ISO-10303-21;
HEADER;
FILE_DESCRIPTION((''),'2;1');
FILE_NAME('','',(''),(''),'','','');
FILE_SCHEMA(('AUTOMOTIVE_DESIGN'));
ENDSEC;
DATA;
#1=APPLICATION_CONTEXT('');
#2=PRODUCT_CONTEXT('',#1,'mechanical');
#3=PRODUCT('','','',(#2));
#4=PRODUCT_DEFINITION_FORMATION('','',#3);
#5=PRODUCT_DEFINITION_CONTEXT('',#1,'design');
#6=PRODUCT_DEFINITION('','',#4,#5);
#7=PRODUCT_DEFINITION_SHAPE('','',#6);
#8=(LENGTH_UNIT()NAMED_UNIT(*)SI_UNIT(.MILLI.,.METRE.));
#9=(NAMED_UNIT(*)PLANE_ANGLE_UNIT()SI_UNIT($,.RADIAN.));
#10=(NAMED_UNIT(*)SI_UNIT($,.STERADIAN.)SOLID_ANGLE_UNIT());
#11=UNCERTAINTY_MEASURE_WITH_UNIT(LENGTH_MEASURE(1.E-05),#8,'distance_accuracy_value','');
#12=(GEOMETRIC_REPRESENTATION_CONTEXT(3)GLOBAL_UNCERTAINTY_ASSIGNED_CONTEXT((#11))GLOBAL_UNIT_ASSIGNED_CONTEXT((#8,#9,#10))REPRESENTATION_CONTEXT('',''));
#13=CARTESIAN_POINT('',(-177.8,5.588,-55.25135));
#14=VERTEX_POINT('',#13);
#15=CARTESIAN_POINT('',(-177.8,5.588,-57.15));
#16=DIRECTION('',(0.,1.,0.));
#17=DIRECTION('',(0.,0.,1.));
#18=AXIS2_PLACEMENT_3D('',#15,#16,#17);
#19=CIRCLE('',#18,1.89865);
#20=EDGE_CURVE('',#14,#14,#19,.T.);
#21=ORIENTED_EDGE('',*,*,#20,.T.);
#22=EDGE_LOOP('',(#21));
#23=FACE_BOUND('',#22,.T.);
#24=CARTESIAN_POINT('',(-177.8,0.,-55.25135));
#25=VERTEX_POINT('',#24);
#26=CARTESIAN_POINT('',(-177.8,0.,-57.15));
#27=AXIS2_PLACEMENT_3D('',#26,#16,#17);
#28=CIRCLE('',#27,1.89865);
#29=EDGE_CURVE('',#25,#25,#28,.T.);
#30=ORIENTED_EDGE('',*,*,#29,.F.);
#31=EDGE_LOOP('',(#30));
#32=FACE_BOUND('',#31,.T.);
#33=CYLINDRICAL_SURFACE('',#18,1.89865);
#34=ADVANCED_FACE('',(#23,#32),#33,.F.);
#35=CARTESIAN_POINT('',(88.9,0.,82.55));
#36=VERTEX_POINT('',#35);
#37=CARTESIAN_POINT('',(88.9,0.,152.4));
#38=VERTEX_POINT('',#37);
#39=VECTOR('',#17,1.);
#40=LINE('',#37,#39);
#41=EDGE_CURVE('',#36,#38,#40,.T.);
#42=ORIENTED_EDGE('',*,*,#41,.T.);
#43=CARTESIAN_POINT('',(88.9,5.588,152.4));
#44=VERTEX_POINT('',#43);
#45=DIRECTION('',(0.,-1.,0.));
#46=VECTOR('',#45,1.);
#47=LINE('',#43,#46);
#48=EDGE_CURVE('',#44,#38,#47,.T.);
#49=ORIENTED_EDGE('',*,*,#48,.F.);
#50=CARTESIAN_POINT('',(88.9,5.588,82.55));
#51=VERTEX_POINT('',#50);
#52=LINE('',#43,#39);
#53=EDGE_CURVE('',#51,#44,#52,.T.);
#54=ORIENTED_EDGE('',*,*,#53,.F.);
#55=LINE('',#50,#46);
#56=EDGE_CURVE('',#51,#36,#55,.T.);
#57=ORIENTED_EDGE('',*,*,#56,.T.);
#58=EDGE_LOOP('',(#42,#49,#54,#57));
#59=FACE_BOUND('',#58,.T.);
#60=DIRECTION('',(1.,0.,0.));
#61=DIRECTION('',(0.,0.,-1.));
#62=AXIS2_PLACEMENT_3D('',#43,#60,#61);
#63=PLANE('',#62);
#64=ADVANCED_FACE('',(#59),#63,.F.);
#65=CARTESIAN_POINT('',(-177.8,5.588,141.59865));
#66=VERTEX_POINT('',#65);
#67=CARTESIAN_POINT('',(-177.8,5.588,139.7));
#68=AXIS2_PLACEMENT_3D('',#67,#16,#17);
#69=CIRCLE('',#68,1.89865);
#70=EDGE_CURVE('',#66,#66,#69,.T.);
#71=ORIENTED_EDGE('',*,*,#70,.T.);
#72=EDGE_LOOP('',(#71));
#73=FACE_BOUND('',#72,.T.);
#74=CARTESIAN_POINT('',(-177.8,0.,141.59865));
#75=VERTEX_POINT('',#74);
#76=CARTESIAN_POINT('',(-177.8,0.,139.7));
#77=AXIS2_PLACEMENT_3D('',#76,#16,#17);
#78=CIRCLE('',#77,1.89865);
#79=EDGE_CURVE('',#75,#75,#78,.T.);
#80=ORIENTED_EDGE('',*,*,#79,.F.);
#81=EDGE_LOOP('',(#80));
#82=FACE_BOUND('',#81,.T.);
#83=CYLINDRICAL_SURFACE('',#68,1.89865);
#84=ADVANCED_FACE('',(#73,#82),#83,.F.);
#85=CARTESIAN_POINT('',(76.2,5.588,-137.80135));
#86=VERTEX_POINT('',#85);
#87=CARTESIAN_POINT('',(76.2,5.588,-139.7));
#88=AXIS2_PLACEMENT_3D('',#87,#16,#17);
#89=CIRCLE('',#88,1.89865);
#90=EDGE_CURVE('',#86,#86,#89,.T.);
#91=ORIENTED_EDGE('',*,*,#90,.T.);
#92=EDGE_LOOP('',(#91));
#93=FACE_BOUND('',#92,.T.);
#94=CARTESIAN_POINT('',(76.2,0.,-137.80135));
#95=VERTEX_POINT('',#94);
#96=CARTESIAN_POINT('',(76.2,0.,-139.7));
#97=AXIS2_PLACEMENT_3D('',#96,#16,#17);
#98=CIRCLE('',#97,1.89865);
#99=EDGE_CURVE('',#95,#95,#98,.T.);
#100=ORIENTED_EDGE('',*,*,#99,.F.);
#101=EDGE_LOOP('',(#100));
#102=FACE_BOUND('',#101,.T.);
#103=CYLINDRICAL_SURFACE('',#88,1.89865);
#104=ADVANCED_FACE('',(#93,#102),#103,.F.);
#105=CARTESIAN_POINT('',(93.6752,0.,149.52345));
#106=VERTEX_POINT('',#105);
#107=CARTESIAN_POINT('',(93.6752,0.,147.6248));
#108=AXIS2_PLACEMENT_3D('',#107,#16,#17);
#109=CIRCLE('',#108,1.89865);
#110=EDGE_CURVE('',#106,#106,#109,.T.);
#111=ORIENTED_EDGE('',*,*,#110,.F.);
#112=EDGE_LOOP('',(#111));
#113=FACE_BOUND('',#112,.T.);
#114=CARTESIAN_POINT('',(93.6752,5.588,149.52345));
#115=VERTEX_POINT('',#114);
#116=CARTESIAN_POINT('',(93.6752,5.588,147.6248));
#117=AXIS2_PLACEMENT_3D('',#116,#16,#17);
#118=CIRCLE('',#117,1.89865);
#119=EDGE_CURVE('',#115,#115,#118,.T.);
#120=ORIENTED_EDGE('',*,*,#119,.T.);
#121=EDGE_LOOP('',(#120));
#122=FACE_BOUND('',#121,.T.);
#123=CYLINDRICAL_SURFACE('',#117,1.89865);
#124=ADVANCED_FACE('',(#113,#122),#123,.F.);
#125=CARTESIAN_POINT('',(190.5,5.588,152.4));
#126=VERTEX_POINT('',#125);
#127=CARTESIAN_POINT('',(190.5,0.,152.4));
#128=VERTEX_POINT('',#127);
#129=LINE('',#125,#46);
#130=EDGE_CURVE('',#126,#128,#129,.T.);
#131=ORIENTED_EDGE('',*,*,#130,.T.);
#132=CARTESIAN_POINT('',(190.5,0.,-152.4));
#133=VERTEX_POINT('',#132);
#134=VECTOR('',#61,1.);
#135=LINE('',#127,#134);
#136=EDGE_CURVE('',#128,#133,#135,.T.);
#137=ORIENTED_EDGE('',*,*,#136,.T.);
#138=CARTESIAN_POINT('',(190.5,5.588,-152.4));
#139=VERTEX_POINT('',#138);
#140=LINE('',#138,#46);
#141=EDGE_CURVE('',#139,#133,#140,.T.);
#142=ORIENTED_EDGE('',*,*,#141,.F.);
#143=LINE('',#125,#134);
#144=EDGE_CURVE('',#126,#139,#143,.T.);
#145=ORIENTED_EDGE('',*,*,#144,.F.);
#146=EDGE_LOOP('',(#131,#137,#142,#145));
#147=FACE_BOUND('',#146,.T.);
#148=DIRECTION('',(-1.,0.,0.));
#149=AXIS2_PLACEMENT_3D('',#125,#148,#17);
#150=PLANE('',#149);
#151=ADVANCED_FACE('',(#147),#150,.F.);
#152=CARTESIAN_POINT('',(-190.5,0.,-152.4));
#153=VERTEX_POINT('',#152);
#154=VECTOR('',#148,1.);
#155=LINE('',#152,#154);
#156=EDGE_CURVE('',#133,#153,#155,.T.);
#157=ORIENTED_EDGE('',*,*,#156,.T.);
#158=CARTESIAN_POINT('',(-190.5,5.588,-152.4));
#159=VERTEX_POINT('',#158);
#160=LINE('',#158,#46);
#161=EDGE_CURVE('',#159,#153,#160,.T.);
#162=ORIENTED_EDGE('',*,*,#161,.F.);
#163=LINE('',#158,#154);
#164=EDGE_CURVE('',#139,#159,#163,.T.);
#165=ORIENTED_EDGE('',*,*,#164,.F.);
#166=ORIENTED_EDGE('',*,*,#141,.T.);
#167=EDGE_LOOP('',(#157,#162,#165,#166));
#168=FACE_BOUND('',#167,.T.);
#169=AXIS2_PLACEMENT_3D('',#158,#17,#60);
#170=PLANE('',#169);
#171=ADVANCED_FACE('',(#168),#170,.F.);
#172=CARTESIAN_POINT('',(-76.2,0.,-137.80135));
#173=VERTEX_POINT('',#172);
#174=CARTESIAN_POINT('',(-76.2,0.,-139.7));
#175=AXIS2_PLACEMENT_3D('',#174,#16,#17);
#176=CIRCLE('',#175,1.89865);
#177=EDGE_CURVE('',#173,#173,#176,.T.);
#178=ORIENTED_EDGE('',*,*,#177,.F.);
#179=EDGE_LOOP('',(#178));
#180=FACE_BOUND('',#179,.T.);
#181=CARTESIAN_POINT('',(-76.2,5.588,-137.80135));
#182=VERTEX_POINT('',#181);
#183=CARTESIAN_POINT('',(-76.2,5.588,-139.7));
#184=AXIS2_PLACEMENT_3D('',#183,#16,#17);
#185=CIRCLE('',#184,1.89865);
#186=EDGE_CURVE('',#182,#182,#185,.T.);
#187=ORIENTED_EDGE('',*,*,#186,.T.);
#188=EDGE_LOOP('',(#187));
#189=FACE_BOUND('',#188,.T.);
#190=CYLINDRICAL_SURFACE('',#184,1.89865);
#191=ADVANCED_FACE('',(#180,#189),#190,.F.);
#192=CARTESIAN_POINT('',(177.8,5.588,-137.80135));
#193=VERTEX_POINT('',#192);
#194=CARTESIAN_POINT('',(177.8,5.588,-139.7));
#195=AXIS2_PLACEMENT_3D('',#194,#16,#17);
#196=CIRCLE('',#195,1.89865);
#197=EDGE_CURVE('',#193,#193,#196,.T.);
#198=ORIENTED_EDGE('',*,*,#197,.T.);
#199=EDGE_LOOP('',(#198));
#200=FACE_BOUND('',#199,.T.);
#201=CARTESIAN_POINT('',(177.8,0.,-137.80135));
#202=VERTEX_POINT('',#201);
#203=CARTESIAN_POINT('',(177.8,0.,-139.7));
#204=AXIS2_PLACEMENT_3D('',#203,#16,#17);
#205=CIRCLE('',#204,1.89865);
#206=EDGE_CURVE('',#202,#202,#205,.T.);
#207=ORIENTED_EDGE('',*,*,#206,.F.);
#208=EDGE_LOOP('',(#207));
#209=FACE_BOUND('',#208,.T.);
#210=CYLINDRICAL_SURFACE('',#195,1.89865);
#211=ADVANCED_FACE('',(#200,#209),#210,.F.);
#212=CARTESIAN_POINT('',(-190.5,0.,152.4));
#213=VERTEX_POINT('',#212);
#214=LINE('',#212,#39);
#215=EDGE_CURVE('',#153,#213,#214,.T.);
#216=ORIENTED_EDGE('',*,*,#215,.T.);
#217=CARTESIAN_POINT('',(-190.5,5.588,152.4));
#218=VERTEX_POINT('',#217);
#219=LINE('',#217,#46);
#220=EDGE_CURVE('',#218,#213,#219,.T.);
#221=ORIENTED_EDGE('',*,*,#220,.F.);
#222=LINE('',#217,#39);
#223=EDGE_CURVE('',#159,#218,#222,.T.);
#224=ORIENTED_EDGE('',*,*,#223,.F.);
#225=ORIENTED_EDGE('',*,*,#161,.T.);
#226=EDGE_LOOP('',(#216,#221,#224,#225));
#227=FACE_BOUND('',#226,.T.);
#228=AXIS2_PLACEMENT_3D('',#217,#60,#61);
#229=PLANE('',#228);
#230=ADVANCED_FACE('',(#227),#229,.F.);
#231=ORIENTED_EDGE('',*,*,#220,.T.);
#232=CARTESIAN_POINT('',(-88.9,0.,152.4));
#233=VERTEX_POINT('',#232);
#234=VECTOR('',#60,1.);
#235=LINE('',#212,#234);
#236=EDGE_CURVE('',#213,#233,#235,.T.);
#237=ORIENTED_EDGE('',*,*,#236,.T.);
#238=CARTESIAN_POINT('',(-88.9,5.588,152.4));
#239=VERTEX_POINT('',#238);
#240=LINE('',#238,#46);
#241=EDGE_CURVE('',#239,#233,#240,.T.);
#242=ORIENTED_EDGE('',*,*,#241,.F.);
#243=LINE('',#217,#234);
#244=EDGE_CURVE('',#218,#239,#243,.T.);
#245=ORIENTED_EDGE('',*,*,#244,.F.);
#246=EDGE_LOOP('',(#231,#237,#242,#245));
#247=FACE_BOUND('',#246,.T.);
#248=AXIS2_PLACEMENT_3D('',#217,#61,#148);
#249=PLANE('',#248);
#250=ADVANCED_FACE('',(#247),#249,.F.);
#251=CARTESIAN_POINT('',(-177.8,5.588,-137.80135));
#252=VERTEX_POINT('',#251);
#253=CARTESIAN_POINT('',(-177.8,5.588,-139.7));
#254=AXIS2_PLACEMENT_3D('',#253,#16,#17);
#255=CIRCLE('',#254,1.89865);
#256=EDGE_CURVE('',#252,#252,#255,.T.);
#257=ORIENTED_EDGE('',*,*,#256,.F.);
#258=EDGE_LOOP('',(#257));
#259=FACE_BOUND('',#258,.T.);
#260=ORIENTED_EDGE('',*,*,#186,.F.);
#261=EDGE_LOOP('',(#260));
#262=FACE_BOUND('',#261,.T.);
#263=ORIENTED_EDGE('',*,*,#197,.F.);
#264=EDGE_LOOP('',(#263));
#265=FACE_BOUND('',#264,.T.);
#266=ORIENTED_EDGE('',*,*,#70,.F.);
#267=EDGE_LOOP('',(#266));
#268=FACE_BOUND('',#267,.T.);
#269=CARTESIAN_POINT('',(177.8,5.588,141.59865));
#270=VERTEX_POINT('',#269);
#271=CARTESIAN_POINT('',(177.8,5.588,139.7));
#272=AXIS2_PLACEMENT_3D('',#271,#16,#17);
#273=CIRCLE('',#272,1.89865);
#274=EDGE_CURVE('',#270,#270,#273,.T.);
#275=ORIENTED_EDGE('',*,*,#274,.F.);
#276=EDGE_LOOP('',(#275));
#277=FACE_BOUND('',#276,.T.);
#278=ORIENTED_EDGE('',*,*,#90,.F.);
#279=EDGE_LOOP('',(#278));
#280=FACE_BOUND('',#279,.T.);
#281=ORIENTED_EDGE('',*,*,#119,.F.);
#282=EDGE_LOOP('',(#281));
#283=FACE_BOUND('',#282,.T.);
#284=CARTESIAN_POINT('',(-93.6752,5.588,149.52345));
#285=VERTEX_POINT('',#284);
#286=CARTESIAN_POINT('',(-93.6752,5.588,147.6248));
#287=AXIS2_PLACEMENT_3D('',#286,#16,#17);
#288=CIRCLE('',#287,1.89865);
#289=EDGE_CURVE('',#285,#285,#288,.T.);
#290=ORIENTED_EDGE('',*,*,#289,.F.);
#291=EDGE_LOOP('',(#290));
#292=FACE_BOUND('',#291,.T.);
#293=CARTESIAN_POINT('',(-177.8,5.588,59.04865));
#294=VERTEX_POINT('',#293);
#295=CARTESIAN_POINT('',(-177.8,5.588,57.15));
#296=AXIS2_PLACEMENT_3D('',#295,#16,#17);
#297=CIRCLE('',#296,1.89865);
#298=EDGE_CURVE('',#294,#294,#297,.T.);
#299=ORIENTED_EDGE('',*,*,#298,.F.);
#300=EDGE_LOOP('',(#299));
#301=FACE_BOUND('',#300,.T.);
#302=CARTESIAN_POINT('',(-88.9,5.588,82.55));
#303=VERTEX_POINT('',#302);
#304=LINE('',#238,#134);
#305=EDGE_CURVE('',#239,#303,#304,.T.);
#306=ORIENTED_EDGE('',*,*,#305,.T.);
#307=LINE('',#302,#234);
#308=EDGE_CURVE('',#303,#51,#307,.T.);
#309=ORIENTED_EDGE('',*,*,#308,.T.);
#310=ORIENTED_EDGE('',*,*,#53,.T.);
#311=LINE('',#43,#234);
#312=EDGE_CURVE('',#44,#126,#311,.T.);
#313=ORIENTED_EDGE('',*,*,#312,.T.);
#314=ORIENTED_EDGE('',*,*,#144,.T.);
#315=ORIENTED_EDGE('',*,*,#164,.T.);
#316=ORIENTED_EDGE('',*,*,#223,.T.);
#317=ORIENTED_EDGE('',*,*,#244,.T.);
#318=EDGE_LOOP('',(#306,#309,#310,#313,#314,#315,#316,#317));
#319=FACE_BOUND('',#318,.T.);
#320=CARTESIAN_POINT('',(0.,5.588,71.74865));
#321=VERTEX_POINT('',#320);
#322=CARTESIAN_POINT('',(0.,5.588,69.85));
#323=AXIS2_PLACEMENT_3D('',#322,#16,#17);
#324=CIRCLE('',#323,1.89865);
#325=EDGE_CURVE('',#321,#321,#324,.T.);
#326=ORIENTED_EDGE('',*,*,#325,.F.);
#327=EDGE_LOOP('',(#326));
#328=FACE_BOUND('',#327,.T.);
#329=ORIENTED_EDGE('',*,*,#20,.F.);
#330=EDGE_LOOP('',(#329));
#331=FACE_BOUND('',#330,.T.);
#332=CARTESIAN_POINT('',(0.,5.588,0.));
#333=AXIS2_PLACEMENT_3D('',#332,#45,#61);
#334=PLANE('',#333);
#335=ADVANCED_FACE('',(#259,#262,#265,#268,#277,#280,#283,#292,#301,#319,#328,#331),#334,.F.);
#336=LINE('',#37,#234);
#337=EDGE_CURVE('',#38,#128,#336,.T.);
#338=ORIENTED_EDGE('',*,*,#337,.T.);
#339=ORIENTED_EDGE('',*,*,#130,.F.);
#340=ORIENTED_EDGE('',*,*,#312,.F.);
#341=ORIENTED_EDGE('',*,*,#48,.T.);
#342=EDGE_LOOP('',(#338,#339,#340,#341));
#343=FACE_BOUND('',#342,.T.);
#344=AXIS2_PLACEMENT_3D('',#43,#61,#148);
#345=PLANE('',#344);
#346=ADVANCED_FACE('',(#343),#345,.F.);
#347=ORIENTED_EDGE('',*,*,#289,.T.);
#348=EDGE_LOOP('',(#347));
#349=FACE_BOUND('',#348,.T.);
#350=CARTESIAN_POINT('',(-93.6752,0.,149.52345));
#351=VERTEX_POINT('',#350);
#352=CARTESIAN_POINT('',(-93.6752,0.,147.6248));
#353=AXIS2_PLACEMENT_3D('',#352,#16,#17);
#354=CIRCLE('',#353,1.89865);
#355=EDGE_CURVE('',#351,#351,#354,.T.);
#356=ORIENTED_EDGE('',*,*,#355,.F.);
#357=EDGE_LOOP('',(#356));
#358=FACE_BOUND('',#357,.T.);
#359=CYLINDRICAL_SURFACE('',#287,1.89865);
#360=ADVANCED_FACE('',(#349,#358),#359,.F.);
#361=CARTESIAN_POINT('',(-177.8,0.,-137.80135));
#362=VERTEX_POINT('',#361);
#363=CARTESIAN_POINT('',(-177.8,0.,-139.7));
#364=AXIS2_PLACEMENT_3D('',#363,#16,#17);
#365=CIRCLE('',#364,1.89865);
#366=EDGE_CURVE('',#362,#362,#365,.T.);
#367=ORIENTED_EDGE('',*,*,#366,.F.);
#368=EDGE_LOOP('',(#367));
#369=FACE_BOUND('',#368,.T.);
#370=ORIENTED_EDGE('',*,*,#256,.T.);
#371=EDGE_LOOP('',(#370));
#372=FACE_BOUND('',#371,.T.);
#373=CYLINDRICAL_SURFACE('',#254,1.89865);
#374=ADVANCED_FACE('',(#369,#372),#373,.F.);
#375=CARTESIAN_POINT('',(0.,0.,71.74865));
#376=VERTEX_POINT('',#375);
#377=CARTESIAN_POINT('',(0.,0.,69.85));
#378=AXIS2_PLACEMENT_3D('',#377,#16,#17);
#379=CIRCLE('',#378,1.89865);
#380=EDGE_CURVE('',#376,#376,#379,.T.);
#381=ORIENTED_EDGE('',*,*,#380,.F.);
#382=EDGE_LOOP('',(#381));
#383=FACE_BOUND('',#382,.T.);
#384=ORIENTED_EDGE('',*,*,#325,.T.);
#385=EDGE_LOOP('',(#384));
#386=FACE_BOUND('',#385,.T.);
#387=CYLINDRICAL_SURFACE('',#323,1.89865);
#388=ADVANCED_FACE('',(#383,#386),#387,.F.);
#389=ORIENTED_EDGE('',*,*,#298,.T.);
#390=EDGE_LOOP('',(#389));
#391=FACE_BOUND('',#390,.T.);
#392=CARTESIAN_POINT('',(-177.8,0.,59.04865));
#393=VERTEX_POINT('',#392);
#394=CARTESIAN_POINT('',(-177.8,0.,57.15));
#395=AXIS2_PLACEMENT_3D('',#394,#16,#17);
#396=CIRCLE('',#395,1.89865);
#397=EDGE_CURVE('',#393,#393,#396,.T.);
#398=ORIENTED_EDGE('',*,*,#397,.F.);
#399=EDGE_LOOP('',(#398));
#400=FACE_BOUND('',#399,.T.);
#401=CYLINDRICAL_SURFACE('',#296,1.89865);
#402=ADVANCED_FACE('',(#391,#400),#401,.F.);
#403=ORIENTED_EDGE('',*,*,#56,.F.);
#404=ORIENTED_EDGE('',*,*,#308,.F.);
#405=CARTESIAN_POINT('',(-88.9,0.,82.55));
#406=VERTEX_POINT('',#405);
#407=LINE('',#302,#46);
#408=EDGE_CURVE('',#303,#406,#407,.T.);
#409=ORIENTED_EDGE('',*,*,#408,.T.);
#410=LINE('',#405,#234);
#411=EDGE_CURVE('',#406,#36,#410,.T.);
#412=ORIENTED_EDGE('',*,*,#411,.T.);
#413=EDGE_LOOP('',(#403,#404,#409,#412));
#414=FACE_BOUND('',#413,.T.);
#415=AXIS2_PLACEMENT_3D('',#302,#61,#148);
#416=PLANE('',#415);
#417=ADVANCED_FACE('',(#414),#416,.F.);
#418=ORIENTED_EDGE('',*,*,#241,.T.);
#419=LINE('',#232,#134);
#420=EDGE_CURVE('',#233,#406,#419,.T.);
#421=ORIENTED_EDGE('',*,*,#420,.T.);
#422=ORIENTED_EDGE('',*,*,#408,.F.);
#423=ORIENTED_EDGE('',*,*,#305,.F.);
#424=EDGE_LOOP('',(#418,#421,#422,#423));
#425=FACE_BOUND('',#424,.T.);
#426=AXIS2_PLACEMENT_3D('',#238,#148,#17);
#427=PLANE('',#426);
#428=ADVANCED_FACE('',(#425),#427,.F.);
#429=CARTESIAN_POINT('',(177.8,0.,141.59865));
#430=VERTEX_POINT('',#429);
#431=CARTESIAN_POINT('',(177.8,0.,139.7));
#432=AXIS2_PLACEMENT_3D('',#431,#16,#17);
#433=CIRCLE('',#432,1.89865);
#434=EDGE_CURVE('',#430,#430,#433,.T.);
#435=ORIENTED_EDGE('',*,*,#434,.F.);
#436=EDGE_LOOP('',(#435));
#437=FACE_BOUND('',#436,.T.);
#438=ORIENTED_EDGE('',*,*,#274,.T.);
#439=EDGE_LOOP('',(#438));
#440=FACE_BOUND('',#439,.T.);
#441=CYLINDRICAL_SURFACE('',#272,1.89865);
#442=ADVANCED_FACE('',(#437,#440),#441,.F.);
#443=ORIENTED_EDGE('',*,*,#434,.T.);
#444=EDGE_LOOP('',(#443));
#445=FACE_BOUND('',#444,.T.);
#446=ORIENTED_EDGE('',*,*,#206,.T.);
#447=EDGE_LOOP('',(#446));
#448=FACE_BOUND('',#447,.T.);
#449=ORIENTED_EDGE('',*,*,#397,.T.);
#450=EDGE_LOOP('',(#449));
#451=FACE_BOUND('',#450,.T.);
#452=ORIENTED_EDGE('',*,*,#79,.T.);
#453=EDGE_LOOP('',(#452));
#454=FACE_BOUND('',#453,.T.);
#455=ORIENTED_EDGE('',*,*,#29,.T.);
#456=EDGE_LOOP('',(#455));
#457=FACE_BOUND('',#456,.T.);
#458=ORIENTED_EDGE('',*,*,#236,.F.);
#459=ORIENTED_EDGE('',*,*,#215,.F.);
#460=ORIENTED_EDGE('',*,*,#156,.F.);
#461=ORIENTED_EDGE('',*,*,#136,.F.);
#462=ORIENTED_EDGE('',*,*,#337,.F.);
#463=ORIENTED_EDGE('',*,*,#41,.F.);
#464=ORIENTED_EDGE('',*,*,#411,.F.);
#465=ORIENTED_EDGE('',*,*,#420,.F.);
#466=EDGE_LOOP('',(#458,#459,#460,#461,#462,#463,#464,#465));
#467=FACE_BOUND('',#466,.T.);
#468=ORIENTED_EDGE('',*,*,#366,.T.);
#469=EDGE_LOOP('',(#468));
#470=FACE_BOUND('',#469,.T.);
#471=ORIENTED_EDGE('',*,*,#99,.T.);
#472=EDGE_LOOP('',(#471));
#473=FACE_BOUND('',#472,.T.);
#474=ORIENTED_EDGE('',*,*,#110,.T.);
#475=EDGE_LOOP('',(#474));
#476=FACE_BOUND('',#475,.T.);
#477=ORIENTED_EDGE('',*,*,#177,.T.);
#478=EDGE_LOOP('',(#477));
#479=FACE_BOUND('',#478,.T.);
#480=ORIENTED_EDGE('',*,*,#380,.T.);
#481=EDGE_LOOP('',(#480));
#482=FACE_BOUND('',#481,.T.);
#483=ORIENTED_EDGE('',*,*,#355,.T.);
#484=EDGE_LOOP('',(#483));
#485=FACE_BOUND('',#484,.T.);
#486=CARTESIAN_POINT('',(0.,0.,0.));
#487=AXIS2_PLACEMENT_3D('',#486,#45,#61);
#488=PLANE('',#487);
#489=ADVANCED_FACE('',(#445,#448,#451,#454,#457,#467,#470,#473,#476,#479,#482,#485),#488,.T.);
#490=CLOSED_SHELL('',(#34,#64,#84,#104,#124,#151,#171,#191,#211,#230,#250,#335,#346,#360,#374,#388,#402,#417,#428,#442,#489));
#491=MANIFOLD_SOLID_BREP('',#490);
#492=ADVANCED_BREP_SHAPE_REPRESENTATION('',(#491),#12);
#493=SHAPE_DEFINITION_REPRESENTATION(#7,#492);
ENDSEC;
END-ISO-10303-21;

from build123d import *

# Parameters (mm, degrees)
BOSS_EXTRUDE1_DEPTH   = 5.588
F_6_CLEARANCE_HOLE1_D = 3.7973


with BuildPart() as part:
    # Sketch1 → Boss-Extrude1 (new body)
    with BuildSketch(Plane(origin=(0, 0, 0), x_dir=(1, 0, 0), z_dir=(0, 1, 0))):
        Polygon((-190.5, -152.4), (-88.9, -152.4), (-88.9, -82.55), (88.9, -82.55), (88.9, -152.4), (190.5, -152.4), (190.5, 152.4), (-190.5, 152.4), align=None)
    extrude(amount=BOSS_EXTRUDE1_DEPTH)

    # #6 Clearance Hole1 (through all)
    with Locations(Plane(origin=(-76.2, 5.588, -139.7), x_dir=(0, 0, 1), z_dir=(0, 1, 0))):
        with Locations((0, 0), (0, 152.4), (209.55, 76.2), (287.3248, -17.4752), (279.4, -101.6), (0, -101.6), (0, 254), (279.4, 254), (287.3248, 169.8752), (82.55, -101.6), (196.85, -101.6)):
            Hole(F_6_CLEARANCE_HOLE1_D / 2)


solid = part.part
